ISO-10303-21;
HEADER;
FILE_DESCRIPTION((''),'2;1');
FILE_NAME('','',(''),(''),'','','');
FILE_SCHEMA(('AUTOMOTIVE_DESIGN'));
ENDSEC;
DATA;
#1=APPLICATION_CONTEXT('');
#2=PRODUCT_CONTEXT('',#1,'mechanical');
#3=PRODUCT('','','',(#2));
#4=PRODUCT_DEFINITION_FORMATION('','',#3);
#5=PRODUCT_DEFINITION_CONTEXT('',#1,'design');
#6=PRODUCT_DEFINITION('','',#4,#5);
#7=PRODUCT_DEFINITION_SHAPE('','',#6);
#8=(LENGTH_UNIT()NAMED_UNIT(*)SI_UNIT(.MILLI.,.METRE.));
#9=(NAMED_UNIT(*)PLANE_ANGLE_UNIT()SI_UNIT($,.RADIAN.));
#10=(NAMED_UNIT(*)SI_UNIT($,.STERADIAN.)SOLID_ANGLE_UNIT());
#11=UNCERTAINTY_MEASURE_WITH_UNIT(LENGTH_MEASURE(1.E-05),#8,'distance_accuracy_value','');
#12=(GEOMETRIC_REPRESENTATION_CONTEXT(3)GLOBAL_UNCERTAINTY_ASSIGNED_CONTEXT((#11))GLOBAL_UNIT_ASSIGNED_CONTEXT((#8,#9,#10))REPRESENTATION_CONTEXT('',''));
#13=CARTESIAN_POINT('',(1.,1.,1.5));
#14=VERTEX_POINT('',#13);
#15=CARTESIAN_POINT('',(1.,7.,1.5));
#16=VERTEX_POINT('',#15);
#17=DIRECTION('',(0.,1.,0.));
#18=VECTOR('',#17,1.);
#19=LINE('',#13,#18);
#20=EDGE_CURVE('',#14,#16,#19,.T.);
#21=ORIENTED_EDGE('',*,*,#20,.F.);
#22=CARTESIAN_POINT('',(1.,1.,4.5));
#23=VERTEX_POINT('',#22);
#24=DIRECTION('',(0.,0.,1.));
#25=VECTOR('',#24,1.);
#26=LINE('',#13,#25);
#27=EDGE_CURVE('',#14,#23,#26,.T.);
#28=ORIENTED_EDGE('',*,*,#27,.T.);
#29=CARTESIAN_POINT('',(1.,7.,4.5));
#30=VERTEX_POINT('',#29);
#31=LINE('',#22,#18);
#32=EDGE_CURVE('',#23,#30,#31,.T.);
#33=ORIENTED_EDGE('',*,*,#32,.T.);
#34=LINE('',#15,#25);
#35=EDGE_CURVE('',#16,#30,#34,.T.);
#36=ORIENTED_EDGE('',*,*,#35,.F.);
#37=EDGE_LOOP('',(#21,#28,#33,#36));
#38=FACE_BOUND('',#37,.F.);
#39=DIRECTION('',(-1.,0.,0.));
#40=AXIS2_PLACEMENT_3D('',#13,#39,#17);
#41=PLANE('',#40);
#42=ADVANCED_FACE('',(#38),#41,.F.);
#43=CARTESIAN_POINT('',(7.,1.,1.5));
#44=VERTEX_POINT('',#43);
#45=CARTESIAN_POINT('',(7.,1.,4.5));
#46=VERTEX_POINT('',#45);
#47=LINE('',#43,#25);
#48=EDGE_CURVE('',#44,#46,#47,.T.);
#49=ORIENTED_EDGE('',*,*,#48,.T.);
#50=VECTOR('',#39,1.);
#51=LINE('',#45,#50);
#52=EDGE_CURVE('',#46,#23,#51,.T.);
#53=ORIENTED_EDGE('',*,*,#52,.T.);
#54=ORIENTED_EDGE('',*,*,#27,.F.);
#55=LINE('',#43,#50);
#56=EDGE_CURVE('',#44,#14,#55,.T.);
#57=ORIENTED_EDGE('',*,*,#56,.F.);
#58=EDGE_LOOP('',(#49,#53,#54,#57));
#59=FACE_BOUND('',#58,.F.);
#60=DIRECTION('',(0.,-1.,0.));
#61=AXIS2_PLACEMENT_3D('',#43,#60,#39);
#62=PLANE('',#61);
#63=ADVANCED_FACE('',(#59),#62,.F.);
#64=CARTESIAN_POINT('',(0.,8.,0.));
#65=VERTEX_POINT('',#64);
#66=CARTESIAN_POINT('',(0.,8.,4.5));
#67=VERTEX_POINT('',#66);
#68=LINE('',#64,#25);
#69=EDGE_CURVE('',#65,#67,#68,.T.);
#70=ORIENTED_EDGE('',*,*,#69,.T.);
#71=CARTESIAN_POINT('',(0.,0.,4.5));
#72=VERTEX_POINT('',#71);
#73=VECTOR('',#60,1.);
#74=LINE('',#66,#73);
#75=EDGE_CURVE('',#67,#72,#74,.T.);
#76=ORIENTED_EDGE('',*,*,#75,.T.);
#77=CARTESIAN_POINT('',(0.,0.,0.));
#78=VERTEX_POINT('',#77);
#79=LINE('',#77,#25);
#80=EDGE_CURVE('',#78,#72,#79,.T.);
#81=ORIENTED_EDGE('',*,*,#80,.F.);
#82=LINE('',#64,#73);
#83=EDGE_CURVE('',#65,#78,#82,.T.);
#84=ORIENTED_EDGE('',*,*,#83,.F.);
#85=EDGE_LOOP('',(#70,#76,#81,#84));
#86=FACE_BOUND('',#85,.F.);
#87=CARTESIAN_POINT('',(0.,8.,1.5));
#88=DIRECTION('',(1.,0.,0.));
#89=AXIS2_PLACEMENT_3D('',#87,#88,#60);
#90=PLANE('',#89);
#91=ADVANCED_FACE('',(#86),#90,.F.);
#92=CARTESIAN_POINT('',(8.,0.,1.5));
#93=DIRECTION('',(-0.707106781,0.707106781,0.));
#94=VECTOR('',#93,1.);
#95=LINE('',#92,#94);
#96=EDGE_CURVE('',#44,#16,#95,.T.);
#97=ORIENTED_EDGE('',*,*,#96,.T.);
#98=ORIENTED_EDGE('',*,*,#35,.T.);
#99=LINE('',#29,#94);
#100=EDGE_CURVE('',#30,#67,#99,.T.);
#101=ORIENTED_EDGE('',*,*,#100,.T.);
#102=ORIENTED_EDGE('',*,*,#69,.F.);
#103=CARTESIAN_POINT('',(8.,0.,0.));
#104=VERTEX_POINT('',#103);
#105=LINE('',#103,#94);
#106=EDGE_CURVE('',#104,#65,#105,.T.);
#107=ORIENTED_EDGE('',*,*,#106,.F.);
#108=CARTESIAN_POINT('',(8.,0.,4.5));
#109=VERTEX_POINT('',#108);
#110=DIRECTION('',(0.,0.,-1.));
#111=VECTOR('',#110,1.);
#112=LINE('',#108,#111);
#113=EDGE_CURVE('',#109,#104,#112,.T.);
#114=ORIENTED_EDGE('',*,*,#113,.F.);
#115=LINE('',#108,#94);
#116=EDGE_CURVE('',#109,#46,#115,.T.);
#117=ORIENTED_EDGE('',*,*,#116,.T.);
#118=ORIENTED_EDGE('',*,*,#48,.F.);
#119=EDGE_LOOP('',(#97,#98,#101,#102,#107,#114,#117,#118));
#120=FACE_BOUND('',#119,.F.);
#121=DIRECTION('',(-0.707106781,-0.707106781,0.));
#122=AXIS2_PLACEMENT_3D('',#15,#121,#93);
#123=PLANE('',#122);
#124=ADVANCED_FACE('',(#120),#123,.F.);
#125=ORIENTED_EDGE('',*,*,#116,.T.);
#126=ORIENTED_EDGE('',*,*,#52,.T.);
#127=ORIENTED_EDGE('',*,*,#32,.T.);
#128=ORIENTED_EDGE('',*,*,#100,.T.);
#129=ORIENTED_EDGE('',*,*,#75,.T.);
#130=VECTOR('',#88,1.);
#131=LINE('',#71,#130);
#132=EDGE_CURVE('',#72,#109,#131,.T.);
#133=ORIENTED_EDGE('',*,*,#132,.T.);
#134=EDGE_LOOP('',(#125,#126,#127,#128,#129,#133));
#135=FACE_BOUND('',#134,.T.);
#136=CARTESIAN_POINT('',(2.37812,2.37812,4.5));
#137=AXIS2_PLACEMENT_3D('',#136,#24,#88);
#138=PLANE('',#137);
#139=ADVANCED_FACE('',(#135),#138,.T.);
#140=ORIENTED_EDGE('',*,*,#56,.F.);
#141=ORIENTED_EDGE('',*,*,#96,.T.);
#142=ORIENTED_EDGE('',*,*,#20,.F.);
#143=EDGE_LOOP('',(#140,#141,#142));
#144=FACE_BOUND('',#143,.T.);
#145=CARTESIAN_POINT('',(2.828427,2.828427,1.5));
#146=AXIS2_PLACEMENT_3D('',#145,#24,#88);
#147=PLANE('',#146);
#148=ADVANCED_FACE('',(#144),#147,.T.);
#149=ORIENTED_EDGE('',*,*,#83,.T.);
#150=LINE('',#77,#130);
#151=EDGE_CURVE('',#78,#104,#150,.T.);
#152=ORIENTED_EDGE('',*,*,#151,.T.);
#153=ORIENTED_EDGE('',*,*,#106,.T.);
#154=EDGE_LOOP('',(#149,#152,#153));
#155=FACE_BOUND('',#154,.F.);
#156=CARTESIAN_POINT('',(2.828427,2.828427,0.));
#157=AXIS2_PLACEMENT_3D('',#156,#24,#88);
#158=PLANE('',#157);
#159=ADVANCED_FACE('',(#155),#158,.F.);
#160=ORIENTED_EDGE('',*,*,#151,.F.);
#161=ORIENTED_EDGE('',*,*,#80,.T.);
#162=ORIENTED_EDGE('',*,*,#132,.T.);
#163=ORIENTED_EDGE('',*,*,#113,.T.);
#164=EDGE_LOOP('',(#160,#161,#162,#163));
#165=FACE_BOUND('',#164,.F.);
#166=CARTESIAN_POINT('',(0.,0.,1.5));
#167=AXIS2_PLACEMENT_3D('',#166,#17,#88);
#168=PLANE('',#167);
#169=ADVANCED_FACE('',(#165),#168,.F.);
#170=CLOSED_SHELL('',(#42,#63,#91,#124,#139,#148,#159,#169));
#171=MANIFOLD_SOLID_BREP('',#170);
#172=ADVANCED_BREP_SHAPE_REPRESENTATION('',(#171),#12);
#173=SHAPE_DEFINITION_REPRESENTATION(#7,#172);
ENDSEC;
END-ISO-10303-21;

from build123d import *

# Parameters (mm, degrees)
F1_DEPTH = 1.5
F3_DEPTH = 3


with BuildPart() as f1:
    # F0 (on Top) → F1 (new body)
    with BuildSketch(Plane.XY):
        Polygon((0, 8), (0, 0), (8, 0), align=None)
    extrude(amount=F1_DEPTH)

    # F2 (on face) → F3 (join)
    with BuildSketch(Plane.XY.offset(1.5)):
        Polygon((1, 1), (1, 7), (0, 8), (0, 0), (8, 0), (7, 1), align=None)
    extrude(amount=F3_DEPTH)


solid = f1.part
